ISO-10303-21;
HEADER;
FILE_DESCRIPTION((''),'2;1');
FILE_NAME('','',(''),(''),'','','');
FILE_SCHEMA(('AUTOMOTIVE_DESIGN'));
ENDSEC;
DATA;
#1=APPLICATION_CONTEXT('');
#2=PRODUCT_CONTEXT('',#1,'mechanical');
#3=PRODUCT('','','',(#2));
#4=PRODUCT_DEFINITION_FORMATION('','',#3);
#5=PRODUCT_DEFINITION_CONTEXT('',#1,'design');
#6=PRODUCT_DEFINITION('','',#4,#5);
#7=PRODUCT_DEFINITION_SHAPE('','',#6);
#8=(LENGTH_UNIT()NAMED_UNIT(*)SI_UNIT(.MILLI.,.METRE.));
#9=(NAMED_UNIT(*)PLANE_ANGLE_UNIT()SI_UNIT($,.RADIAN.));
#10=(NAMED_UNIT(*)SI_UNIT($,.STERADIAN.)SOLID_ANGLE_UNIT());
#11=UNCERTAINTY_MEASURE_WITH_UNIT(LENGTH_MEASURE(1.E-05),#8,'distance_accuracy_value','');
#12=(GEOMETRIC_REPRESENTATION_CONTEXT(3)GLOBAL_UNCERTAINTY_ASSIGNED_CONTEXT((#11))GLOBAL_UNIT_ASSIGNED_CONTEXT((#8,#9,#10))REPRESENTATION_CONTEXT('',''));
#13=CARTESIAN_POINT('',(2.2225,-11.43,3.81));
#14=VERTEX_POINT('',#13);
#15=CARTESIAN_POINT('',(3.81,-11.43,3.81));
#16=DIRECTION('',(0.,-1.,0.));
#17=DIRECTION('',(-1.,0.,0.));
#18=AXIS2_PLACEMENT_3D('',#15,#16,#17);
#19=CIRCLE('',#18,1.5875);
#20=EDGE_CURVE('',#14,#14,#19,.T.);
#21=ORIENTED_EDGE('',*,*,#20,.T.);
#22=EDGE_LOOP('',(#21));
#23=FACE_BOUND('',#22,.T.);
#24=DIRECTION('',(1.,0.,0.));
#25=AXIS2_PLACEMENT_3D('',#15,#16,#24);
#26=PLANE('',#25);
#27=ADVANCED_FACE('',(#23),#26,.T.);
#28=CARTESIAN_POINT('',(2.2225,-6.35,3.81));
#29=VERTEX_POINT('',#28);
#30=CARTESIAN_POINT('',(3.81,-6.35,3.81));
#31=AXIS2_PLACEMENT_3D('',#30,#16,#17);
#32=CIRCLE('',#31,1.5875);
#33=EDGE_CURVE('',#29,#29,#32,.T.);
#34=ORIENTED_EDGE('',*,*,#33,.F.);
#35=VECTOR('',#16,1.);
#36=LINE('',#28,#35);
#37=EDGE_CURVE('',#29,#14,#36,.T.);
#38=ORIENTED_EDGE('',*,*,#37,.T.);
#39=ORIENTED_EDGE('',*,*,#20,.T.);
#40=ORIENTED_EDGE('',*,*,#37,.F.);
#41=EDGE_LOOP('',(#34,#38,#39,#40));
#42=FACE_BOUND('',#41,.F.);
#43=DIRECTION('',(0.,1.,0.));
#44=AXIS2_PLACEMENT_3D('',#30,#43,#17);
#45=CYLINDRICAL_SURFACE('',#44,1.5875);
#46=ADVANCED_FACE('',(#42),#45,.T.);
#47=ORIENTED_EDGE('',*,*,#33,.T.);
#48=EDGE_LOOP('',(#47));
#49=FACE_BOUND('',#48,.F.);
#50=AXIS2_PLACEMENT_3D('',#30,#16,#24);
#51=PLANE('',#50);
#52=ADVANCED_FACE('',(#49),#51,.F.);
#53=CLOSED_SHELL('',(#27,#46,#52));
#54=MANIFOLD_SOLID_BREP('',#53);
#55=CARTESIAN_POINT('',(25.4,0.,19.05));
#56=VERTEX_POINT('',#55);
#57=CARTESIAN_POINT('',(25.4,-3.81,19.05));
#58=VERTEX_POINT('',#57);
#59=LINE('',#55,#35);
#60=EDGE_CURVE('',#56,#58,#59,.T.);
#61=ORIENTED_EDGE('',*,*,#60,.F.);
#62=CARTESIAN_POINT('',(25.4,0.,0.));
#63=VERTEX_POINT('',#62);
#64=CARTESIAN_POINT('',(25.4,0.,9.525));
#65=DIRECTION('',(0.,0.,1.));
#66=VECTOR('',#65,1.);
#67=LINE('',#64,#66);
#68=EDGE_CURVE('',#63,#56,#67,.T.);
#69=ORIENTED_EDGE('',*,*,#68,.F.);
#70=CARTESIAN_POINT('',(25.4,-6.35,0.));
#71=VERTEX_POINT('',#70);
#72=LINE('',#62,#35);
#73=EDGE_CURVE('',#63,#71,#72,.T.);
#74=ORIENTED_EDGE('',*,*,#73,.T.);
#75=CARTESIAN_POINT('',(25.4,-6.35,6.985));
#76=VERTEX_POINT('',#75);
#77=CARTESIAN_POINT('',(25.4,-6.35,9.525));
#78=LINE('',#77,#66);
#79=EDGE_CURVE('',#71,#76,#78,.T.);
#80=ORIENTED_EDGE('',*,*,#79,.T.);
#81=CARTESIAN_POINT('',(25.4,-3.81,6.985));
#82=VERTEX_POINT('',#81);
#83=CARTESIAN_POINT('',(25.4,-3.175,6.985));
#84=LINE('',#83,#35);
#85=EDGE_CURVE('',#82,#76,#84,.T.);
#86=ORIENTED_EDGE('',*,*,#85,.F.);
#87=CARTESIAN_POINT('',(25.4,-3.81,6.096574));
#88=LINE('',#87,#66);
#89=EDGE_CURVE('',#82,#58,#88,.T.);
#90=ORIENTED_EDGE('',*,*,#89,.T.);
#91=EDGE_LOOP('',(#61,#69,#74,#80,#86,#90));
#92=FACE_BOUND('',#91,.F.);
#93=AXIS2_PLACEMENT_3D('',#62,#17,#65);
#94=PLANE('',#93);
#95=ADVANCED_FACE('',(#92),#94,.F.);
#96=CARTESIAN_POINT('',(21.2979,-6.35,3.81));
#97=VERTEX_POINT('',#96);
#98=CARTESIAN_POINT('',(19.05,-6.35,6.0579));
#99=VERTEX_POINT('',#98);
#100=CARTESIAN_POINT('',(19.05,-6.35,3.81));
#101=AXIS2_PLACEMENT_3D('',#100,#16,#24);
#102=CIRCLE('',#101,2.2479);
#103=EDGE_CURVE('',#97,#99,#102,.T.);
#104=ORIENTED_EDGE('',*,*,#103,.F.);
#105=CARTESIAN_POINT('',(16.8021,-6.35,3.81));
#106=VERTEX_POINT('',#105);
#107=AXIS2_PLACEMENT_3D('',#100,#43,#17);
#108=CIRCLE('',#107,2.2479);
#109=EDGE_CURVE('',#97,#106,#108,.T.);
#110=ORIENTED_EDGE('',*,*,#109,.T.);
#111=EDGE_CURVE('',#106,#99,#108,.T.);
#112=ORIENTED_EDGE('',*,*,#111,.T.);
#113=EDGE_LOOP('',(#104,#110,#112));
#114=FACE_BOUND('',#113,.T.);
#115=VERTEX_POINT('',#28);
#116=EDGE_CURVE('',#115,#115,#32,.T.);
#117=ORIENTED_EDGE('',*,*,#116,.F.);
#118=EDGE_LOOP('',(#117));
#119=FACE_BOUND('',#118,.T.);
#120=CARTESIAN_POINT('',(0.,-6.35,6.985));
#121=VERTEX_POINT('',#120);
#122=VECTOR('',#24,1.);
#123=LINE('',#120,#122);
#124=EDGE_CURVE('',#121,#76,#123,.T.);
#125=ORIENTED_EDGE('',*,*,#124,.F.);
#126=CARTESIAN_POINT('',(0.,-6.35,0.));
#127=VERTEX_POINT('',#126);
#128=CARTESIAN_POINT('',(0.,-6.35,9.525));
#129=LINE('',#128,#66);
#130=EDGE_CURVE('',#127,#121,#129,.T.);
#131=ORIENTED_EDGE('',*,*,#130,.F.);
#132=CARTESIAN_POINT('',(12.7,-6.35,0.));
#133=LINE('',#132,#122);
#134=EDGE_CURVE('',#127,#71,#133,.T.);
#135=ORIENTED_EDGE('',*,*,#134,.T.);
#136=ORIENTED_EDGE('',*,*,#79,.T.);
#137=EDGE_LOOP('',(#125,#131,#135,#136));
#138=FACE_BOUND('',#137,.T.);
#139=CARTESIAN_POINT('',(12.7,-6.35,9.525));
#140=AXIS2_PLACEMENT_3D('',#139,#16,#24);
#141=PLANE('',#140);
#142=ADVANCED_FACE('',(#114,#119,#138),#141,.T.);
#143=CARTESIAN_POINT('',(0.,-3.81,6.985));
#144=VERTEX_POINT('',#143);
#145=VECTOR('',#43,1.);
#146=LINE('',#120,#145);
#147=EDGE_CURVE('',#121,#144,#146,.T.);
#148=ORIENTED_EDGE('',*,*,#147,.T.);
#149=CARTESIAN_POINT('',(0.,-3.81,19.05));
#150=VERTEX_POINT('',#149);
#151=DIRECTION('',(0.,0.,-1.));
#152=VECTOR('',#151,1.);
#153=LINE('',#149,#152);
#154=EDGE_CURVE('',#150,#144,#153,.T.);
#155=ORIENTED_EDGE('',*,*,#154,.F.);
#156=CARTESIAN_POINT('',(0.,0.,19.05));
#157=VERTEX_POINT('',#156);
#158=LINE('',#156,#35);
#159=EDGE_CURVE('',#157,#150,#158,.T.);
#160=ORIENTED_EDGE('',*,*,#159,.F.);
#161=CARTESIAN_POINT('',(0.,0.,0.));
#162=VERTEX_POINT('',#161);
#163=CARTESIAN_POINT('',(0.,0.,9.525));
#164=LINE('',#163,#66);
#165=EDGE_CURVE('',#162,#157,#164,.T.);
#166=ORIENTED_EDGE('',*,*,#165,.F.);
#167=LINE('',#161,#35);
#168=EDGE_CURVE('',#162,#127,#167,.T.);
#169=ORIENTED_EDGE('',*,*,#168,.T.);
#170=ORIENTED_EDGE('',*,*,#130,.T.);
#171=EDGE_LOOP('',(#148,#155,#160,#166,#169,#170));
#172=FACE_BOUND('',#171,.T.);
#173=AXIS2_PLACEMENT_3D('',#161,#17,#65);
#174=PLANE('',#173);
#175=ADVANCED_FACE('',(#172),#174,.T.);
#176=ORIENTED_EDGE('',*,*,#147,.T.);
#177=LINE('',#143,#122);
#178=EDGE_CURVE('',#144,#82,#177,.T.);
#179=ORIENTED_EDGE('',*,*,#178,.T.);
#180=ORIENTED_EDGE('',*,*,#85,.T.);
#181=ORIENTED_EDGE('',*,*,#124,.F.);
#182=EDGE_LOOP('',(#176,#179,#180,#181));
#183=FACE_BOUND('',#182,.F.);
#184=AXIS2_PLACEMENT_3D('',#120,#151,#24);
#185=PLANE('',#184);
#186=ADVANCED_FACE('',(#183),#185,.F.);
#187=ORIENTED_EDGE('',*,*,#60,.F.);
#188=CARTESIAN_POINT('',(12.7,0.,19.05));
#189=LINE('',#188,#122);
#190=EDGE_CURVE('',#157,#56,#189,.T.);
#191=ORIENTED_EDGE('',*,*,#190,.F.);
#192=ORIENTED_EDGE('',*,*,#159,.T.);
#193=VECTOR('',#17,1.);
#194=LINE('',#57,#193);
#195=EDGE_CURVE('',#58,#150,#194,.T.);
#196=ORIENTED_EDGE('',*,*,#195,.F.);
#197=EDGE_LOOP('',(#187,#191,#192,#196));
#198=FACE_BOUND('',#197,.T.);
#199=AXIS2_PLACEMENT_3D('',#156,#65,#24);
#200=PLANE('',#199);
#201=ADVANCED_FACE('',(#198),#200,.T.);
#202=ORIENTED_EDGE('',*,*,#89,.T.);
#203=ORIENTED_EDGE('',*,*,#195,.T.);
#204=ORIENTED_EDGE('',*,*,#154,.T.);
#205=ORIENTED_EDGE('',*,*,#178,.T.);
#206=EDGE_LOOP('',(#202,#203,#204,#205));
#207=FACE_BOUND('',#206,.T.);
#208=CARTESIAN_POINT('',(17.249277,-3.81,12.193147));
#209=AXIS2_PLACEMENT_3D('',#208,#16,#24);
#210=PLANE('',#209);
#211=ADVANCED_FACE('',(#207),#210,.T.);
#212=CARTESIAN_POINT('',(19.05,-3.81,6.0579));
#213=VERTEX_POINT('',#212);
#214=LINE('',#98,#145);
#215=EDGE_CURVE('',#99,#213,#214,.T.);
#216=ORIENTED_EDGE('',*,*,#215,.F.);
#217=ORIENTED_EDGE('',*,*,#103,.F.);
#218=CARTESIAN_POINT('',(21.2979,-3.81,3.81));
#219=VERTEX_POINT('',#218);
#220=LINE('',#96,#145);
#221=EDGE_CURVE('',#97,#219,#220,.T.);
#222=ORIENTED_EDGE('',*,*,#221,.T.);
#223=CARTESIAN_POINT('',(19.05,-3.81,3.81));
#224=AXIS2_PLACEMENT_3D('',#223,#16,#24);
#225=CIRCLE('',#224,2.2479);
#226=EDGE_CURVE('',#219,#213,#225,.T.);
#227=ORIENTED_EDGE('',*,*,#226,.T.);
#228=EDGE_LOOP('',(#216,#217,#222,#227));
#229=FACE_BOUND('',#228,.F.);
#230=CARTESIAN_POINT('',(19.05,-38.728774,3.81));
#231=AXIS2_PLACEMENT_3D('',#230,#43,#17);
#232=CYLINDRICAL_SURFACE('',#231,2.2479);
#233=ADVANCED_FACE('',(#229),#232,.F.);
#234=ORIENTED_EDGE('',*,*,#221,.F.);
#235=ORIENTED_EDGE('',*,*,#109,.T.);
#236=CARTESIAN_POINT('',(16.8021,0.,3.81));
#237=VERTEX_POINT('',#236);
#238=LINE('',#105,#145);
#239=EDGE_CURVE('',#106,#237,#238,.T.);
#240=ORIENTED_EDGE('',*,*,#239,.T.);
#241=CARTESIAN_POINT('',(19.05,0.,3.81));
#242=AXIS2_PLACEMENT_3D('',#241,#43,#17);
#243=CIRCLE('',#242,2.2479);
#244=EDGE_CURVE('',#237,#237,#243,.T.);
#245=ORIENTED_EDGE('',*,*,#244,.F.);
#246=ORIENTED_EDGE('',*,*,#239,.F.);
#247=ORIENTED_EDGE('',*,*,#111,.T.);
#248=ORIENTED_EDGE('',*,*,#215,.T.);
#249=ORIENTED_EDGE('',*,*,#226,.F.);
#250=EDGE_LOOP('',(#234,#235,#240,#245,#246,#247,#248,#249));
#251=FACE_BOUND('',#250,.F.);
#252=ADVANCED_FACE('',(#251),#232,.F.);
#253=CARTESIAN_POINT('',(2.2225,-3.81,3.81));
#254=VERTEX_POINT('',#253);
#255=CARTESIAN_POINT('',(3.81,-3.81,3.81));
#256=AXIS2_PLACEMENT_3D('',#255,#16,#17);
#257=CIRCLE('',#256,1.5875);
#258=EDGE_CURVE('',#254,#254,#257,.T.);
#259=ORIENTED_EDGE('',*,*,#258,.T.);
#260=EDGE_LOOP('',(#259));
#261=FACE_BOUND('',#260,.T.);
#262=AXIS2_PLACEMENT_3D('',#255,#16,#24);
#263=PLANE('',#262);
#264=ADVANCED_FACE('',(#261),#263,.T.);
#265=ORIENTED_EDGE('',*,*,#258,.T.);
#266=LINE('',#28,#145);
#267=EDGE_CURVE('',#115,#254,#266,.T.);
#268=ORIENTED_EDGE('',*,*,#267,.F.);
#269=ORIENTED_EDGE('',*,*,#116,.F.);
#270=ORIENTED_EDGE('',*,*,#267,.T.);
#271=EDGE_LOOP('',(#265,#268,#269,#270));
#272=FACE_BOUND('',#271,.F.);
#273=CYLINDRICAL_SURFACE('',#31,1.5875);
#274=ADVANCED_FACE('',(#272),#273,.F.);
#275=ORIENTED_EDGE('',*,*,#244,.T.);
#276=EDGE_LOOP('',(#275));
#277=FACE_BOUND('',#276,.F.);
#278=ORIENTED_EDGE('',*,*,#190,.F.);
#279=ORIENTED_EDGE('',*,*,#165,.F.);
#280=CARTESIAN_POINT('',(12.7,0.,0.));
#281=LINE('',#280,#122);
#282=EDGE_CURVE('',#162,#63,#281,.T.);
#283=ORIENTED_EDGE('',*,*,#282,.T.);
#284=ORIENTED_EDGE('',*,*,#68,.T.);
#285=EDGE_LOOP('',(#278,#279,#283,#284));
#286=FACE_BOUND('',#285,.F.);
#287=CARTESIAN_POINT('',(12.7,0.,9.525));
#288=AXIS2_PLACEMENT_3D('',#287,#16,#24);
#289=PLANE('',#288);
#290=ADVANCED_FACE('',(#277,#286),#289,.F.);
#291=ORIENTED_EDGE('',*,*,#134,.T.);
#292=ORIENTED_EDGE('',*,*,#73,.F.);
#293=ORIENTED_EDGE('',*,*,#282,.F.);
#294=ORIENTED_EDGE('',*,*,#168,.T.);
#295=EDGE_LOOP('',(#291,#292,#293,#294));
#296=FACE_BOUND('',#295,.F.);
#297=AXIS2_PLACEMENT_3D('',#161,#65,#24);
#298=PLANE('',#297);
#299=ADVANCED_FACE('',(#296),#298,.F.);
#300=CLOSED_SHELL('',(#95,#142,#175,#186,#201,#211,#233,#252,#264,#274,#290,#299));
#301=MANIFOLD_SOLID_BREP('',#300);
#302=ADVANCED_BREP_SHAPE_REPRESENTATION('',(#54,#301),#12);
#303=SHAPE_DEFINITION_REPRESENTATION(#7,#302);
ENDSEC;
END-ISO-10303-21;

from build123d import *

# Parameters (mm, degrees)
F0_W     = 25.4
F0_H     = 19.05
F1_DEPTH = 6.35
F3_D     = 4.4958
F4_DEPTH = 5.08
F6_DEPTH = 2.54


with BuildPart() as f1:
    # F0 (on Front) → F1 (new body)
    with BuildSketch(Plane.XZ):
        with Locations((12.7, 9.525)):
            Rectangle(F0_W, F0_H)
    extrude(amount=F1_DEPTH)

    # F3 (through all)
    with Locations(Plane.XZ.offset(6.35)):
        with Locations((19.05, 3.81)):
            Hole(F3_D / 2)

    # F2 (on face) → F4 (join)
    with BuildSketch(Plane.XZ.offset(6.35)):
        with BuildLine():
            ThreePointArc((5.3975, 3.81), (3.81, 5.3975), (2.2225, 3.81))
            ThreePointArc((2.2225, 3.81), (3.81, 2.2225), (5.3975, 3.81))
        make_face()
    extrude(amount=F4_DEPTH)

    # F5 (on face) → F6 (cut)
    with BuildSketch(Plane.XZ.offset(6.35)):
        with BuildLine():
            ThreePointArc((5.3975, 3.81), (3.81, 5.3975), (2.2225, 3.81))
            ThreePointArc((2.2225, 3.81), (3.81, 2.2225), (5.3975, 3.81))
        make_face()
        with BuildLine():
            ThreePointArc((21.2979, 3.81), (20.6395053334, 5.3995053334), (19.05, 6.0579))
            Line((19.05, 6.0579), (19.05, 3.81))
            Line((19.05, 3.81), (21.2979, 3.81))
        make_face()
        with BuildLine():
            Line((19.05, 3.81), (19.05, 6.0579))
            ThreePointArc((19.05, 6.0579), (17.4604946666, 2.2204946666), (21.2979, 3.81))
            Line((21.2979, 3.81), (19.05, 3.81))
        make_face()
        Polygon((0, 19.05), (0, 6.985), (19.05, 6.985), (38.1259955466, 6.985), (25.4, 19.05), align=None)
    extrude(amount=-F6_DEPTH, mode=Mode.SUBTRACT)


solid = f1.part
